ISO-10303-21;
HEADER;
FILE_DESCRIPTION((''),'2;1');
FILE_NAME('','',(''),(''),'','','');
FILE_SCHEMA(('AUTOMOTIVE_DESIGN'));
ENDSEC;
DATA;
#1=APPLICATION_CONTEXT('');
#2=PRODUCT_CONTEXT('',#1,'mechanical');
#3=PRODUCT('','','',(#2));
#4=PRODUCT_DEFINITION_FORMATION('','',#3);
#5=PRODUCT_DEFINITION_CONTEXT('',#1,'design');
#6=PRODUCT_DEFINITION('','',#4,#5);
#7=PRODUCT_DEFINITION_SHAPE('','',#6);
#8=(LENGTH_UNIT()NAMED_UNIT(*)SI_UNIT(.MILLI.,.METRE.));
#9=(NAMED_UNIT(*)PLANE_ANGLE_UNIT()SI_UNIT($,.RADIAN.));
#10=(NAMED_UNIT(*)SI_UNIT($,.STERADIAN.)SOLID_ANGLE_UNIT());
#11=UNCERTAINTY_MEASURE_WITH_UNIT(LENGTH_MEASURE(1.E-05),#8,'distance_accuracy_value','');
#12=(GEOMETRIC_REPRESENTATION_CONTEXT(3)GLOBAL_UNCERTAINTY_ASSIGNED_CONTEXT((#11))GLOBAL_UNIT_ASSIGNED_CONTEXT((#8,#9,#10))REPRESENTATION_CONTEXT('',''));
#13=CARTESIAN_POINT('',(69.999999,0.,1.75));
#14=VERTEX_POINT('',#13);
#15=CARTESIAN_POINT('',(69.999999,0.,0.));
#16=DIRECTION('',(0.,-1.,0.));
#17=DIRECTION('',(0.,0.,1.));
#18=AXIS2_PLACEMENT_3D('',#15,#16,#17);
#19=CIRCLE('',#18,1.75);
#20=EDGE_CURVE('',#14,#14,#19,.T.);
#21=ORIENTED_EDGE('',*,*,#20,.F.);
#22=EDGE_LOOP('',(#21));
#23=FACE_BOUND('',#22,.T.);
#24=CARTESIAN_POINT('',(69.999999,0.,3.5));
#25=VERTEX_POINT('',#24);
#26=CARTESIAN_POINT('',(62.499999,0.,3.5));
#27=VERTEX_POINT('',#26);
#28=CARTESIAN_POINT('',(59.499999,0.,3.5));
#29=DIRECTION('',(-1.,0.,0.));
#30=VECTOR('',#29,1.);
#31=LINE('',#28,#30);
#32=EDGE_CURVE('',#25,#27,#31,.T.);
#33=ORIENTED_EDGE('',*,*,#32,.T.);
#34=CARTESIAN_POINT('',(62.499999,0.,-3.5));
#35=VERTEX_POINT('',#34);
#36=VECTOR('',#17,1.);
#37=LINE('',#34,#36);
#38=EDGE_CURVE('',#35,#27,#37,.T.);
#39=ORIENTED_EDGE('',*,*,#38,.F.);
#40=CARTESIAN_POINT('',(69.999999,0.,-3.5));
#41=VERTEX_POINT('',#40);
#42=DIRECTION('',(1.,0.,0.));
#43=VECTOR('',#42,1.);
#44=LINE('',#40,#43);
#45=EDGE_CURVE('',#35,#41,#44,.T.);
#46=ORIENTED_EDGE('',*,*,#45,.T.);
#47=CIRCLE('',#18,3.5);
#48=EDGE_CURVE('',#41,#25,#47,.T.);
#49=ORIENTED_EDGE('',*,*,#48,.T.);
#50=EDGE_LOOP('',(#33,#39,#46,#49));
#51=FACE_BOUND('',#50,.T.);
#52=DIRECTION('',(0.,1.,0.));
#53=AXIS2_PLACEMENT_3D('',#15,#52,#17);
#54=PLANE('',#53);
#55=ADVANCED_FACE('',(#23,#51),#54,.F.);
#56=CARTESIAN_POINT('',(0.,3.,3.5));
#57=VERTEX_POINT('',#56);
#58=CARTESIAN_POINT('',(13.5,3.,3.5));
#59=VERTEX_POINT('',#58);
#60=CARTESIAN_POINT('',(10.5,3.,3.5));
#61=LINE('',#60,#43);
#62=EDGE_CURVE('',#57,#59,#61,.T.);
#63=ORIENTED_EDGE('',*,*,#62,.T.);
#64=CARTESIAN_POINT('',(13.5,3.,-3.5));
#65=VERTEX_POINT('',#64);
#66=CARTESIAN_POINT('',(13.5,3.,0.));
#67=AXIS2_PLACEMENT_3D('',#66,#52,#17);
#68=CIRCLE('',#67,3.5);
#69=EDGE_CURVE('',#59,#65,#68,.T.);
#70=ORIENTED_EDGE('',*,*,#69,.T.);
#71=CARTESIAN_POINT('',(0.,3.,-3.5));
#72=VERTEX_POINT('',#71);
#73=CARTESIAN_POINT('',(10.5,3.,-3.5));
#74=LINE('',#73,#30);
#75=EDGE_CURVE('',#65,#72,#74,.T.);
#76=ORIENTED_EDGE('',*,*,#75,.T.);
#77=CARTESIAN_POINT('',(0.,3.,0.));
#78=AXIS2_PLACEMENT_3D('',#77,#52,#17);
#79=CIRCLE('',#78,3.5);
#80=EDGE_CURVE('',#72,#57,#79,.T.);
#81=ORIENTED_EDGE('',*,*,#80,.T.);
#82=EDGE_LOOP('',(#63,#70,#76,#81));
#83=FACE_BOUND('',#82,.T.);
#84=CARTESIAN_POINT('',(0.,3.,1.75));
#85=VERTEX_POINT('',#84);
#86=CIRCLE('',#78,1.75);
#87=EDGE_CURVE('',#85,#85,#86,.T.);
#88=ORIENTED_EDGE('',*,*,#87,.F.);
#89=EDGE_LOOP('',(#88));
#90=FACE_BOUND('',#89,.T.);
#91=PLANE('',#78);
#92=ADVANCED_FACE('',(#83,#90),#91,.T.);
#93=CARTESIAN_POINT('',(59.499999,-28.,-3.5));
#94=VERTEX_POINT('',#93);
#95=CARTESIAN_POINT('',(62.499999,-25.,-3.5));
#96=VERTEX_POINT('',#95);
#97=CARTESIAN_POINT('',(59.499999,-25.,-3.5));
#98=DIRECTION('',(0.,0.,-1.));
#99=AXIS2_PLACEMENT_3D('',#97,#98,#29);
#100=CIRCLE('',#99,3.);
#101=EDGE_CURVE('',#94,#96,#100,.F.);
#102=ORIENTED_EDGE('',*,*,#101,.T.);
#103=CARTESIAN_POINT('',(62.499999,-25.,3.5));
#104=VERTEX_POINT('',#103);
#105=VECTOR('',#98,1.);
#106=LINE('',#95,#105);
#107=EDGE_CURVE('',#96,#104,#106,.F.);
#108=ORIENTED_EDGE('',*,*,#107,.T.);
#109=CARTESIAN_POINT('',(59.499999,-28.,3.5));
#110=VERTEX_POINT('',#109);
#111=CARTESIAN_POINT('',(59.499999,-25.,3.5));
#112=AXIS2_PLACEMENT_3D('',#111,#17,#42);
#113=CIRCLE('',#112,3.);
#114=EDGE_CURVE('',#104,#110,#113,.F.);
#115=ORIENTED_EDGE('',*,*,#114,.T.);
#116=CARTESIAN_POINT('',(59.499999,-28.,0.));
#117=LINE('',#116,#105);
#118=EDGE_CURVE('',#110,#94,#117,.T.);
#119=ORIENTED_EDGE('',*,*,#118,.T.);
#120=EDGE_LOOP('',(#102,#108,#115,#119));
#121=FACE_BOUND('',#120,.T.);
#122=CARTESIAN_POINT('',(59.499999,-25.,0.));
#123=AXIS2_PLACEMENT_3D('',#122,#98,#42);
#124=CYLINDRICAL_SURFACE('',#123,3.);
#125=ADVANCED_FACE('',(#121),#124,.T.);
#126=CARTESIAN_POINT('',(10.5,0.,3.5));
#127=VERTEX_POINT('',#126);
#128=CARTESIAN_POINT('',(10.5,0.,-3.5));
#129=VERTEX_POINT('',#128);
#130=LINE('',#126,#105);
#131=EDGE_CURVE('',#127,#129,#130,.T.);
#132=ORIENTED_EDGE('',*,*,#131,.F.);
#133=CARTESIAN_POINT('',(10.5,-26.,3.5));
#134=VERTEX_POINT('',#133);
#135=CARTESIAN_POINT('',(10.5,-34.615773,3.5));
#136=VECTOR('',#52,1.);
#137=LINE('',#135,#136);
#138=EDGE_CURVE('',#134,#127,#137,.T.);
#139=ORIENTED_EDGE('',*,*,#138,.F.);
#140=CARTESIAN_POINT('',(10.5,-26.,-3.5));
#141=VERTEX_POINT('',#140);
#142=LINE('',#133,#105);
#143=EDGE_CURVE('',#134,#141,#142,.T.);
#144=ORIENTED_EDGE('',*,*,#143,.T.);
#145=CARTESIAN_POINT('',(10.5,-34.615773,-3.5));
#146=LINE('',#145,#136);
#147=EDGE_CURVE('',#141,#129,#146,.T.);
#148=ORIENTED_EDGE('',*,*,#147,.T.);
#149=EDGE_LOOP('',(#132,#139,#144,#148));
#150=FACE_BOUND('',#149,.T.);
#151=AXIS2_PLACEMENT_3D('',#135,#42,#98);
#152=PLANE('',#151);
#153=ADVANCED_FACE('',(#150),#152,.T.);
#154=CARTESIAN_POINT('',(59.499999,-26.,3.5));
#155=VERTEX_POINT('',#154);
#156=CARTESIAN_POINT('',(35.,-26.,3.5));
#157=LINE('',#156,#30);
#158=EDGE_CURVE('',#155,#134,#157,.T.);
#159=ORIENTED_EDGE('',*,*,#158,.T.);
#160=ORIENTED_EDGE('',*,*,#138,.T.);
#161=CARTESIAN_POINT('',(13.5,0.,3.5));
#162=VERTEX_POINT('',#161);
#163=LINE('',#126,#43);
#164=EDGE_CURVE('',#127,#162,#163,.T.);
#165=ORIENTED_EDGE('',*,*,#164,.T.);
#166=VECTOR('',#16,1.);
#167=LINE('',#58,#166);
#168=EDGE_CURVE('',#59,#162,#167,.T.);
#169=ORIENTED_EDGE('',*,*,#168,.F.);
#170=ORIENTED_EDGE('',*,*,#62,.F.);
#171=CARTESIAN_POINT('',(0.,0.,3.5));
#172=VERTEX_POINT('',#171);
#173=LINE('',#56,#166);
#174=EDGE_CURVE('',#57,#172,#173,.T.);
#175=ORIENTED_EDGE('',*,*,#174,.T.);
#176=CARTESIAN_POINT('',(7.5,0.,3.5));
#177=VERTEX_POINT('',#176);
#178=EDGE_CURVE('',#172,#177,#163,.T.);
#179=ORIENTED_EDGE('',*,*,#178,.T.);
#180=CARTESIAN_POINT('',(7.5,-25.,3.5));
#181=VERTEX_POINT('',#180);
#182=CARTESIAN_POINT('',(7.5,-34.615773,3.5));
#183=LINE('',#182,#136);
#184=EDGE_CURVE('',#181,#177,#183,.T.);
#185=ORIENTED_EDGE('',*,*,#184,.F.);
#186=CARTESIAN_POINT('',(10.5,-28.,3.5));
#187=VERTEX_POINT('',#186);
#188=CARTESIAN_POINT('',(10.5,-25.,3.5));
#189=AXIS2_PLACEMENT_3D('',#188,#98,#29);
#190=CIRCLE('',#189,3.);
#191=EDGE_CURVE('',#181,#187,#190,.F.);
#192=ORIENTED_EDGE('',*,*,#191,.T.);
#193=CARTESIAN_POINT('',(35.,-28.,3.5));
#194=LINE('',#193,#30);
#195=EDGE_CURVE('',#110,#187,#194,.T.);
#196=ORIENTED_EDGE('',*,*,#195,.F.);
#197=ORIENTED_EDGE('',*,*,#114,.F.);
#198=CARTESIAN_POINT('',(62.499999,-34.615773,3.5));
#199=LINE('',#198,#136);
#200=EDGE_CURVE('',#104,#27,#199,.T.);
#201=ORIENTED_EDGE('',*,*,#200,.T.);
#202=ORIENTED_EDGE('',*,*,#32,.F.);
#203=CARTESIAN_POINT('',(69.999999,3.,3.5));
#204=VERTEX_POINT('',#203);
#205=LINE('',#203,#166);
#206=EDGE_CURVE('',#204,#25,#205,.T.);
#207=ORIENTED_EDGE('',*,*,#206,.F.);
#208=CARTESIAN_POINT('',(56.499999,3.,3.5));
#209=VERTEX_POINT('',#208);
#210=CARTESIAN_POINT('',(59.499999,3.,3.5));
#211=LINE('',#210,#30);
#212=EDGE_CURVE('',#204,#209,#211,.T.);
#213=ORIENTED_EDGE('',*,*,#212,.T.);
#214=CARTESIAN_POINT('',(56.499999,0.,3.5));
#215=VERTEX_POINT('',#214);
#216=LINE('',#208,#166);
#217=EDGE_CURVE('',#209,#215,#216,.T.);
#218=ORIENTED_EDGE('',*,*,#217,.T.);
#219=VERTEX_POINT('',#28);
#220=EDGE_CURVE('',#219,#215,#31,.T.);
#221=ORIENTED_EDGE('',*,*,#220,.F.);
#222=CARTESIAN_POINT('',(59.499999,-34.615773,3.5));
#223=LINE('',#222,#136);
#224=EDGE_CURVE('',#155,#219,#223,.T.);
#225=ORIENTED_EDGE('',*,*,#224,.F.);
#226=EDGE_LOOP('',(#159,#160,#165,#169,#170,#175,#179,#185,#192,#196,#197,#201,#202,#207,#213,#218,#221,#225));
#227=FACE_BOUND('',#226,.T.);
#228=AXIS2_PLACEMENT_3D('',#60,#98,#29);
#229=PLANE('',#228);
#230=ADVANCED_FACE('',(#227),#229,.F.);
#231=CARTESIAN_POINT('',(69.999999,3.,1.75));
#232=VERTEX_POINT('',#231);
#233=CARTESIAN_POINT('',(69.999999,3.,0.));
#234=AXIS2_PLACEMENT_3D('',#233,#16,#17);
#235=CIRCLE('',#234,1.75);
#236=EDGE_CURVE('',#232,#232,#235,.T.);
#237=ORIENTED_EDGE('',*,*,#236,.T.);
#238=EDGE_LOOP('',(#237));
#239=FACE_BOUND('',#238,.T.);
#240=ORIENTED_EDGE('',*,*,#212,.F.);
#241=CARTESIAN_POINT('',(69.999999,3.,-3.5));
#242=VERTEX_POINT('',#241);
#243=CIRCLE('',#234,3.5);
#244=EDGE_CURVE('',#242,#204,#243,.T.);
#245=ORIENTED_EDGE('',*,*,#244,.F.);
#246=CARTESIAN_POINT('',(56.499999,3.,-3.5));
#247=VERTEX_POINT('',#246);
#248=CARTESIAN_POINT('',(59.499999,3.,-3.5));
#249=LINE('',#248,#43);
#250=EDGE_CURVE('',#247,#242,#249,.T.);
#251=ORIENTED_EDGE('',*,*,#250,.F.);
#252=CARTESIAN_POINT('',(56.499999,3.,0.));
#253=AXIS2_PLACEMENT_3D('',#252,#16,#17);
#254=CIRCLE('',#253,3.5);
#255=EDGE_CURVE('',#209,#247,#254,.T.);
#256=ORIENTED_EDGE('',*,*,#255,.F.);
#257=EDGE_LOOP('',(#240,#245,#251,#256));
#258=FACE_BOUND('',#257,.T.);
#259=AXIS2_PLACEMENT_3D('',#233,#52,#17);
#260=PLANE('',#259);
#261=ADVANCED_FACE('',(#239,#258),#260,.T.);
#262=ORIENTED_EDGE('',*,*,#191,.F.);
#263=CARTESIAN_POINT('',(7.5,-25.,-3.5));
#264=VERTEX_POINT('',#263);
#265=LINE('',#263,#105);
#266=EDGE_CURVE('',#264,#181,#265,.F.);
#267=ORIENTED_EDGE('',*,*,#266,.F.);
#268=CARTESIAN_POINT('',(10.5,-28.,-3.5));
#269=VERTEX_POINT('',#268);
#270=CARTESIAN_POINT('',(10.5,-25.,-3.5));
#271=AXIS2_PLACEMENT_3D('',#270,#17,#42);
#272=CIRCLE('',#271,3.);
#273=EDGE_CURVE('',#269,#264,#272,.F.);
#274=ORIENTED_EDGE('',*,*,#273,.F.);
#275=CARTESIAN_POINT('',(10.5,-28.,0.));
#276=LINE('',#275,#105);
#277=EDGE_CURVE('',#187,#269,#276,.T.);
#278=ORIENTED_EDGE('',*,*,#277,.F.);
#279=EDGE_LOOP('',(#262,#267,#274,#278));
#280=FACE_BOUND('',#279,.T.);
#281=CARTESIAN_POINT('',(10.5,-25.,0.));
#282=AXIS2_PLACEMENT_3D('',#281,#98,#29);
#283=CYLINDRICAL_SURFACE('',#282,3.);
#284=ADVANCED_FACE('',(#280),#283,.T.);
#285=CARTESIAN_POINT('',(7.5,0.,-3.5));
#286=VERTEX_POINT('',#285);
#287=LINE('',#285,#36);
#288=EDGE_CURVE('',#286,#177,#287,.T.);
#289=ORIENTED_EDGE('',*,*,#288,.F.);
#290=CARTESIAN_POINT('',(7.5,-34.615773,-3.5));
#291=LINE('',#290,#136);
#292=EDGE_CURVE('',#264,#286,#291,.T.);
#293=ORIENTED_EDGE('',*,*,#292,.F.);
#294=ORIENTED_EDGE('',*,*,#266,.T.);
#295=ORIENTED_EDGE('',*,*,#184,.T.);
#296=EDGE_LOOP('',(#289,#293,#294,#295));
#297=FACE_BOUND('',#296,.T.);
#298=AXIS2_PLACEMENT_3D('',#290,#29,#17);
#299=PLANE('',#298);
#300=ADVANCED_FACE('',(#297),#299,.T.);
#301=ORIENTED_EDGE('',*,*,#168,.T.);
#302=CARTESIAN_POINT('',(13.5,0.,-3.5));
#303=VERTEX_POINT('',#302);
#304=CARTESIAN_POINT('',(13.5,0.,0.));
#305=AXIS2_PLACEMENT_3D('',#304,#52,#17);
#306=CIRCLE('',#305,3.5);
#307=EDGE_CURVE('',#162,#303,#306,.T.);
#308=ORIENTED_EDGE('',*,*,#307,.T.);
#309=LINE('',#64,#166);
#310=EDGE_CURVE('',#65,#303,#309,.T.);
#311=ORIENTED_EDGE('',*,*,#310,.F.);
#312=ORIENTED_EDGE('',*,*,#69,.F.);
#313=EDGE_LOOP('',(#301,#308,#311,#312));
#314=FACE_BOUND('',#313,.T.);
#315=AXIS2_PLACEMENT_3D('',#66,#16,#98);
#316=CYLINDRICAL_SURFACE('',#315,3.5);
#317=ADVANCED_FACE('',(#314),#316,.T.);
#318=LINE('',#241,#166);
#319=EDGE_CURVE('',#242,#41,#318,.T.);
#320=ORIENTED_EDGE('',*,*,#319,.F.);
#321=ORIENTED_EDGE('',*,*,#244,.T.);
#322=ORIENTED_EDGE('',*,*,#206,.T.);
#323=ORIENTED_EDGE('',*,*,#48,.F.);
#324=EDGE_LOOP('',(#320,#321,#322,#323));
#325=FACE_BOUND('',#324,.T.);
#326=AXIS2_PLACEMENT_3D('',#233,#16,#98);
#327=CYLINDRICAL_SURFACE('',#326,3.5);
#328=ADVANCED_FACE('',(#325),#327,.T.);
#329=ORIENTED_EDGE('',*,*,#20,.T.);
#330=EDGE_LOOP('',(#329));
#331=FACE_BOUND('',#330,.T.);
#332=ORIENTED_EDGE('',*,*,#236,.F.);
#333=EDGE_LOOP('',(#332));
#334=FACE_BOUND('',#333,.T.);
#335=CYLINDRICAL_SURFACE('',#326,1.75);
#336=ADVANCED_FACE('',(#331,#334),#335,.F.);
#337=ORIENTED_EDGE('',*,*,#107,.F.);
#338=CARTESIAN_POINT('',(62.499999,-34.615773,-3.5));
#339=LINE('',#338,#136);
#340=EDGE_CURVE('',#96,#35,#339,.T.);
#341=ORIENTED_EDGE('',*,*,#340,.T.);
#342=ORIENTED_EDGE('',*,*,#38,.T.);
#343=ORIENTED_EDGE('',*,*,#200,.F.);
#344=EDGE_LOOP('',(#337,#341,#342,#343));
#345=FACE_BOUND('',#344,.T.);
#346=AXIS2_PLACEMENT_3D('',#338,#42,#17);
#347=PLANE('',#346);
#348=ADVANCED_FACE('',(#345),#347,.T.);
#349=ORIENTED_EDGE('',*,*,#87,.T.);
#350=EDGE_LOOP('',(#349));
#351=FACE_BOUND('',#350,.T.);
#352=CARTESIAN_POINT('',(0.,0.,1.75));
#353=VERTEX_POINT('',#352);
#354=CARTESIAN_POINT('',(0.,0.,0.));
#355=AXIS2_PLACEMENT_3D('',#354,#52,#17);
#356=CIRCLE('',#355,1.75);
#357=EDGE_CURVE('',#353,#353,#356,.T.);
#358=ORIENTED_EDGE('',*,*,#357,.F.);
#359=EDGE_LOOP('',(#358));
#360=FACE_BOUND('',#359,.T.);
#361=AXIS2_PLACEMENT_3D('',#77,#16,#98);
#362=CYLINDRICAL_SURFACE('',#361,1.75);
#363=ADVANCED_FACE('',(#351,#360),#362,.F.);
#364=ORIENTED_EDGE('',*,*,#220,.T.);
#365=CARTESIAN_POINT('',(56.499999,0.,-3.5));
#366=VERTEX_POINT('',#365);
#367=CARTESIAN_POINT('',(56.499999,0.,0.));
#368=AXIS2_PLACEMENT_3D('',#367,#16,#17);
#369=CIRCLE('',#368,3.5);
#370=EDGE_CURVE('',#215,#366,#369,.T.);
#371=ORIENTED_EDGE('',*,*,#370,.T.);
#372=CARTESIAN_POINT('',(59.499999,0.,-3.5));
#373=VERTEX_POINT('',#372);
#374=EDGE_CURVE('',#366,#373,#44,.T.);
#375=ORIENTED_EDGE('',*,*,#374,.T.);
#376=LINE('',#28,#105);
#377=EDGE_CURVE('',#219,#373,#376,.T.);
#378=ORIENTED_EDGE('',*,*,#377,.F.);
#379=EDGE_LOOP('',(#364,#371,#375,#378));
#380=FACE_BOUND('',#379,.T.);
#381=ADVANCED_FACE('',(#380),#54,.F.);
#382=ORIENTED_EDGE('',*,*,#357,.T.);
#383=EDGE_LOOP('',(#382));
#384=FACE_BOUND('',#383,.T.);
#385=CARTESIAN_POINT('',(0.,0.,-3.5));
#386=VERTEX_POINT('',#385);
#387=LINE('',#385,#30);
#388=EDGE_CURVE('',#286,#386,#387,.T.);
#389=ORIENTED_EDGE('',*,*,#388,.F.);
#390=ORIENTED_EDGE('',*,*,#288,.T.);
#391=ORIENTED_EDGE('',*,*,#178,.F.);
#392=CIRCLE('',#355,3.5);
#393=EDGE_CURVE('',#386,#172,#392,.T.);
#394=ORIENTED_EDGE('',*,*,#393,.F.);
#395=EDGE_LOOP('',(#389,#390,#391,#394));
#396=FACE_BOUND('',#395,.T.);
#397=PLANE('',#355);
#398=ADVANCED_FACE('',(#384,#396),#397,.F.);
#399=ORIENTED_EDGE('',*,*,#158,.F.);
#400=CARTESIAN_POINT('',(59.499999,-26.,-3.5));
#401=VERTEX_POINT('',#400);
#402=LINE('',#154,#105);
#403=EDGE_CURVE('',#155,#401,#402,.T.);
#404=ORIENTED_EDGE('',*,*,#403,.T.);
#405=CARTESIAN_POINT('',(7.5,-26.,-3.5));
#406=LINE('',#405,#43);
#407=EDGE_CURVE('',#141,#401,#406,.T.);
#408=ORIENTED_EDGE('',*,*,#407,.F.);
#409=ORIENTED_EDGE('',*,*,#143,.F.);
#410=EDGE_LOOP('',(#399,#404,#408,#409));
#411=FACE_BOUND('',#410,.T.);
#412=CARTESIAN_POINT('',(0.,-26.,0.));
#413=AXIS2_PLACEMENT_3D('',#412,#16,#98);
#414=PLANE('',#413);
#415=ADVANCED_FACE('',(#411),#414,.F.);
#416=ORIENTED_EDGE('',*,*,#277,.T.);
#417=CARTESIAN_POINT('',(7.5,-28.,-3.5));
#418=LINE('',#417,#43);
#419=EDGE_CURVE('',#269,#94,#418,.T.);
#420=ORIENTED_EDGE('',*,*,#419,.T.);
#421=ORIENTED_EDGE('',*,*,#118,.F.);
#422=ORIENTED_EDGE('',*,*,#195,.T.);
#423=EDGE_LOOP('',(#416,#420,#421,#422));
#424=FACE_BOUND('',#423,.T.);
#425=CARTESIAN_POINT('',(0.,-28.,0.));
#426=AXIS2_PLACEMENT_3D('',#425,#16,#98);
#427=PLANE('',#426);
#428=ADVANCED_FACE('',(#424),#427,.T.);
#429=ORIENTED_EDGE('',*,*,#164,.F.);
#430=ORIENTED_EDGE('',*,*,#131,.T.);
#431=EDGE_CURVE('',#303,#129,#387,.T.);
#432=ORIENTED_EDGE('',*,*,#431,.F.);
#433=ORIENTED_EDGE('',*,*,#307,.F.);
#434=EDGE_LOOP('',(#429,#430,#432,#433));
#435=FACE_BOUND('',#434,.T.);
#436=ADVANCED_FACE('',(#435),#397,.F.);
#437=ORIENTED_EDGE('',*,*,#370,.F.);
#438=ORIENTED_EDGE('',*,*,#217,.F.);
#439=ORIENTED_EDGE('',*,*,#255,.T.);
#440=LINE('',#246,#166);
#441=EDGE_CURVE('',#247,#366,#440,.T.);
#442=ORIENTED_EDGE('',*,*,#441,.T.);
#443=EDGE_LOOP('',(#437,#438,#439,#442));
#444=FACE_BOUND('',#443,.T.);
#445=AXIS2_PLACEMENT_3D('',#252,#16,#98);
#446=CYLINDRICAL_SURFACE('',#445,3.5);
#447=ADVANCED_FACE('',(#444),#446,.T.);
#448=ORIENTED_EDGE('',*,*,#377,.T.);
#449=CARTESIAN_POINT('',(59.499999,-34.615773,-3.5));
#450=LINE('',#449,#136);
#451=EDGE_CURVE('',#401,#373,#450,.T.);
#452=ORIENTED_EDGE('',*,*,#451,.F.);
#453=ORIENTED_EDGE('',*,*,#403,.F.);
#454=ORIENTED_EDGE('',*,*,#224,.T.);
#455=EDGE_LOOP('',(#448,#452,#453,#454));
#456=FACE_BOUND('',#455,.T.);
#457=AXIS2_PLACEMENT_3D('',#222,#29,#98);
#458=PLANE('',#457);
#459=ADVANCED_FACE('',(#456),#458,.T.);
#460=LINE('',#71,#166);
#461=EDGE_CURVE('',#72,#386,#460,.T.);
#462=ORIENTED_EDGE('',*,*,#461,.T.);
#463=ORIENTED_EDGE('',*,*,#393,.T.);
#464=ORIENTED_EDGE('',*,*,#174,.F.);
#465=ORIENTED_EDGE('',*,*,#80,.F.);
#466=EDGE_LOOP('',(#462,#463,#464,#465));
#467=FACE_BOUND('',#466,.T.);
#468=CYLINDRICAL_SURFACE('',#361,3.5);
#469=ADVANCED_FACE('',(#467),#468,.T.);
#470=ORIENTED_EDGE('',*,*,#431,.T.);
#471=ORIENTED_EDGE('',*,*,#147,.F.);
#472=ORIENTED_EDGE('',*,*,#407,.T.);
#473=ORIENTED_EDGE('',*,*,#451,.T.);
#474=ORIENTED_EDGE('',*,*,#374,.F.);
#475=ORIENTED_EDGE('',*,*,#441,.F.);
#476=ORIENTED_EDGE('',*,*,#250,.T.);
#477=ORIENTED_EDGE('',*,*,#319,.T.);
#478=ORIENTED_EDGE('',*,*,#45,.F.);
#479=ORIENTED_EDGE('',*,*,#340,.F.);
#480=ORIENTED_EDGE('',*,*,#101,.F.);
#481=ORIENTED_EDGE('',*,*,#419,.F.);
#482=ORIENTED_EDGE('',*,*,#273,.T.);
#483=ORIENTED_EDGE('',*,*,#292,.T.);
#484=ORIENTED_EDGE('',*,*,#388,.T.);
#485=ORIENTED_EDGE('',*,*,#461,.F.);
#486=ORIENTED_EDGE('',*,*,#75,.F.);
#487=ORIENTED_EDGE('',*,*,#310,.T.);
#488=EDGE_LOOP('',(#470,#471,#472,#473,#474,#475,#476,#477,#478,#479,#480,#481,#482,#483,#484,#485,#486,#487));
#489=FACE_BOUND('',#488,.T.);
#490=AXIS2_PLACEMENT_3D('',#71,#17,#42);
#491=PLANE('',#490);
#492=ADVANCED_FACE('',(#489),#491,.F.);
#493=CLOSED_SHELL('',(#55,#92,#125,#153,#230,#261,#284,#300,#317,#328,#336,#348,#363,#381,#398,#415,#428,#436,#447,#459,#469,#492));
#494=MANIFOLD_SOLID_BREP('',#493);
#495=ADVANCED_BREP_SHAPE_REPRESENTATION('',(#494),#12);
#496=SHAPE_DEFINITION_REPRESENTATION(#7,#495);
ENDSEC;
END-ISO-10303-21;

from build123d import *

# Parameters (mm, degrees)
SKETCH1_R           = 1.75
BOSS_EXTRUDE1_DEPTH = 3
SKETCH2_W           = 3
SKETCH2_H           = 7
BOSS_EXTRUDE2_DEPTH = 26
SKETCH3_W           = 27.49999964
SKETCH3_H           = 7
BOSS_EXTRUDE3_DEPTH = 2
FILLET1_R           = 3


with BuildPart() as part:
    # Sketch1 → Boss-Extrude1 (new body)
    with BuildSketch(Plane(origin=(0, 0, 0), x_dir=(1, 0, 0), z_dir=(0, 1, 0))):
        with BuildLine():
            Line((0, 3.5), (10.5, 3.5))
            Line((10.5, 3.5), (13.5, 3.5))
            ThreePointArc((13.5, 3.5), (17, 0), (13.5, -3.5))
            Line((13.5, -3.5), (10.5, -3.5))
            Line((10.5, -3.5), (0, -3.5))
            ThreePointArc((0, -3.5), (-3.5, 0), (0, 3.5))
        make_face()
        with Locations(Location((0, 0, 0), (0, 0, 270))):
            Circle(SKETCH1_R, mode=Mode.SUBTRACT)
    extrude(amount=BOSS_EXTRUDE1_DEPTH)

    # Sketch2 → Boss-Extrude2 (add)
    with BuildSketch(Plane(origin=(0, 0, 0), x_dir=(1, 0, 0), z_dir=(0, 1, 0))):
        with Locations((9, 0)):
            Rectangle(SKETCH2_W, SKETCH2_H)
    extrude(amount=-BOSS_EXTRUDE2_DEPTH)

    # Sketch3 → Boss-Extrude3 (add)
    with BuildSketch(Plane.XZ.offset(26)):
        with Locations((21.24999982, 0)):
            Rectangle(SKETCH3_W, SKETCH3_H)
    extrude(amount=BOSS_EXTRUDE3_DEPTH)

    # Fillet1
    fillet1_edges = [part.edges().sort_by_distance(p)[0] for p in [
        (7.5, -28, 0),
    ]]
    fillet(fillet1_edges, radius=FILLET1_R)

    # Mirror1: part across plane


with BuildPart() as part_1:
    add(part.part)
    add(part.part.mirror(Plane(origin=(34.99999964, -28, -3.5), x_dir=(0, 0, 1), z_dir=(-1, 0, 0))))


solid = part_1.part
